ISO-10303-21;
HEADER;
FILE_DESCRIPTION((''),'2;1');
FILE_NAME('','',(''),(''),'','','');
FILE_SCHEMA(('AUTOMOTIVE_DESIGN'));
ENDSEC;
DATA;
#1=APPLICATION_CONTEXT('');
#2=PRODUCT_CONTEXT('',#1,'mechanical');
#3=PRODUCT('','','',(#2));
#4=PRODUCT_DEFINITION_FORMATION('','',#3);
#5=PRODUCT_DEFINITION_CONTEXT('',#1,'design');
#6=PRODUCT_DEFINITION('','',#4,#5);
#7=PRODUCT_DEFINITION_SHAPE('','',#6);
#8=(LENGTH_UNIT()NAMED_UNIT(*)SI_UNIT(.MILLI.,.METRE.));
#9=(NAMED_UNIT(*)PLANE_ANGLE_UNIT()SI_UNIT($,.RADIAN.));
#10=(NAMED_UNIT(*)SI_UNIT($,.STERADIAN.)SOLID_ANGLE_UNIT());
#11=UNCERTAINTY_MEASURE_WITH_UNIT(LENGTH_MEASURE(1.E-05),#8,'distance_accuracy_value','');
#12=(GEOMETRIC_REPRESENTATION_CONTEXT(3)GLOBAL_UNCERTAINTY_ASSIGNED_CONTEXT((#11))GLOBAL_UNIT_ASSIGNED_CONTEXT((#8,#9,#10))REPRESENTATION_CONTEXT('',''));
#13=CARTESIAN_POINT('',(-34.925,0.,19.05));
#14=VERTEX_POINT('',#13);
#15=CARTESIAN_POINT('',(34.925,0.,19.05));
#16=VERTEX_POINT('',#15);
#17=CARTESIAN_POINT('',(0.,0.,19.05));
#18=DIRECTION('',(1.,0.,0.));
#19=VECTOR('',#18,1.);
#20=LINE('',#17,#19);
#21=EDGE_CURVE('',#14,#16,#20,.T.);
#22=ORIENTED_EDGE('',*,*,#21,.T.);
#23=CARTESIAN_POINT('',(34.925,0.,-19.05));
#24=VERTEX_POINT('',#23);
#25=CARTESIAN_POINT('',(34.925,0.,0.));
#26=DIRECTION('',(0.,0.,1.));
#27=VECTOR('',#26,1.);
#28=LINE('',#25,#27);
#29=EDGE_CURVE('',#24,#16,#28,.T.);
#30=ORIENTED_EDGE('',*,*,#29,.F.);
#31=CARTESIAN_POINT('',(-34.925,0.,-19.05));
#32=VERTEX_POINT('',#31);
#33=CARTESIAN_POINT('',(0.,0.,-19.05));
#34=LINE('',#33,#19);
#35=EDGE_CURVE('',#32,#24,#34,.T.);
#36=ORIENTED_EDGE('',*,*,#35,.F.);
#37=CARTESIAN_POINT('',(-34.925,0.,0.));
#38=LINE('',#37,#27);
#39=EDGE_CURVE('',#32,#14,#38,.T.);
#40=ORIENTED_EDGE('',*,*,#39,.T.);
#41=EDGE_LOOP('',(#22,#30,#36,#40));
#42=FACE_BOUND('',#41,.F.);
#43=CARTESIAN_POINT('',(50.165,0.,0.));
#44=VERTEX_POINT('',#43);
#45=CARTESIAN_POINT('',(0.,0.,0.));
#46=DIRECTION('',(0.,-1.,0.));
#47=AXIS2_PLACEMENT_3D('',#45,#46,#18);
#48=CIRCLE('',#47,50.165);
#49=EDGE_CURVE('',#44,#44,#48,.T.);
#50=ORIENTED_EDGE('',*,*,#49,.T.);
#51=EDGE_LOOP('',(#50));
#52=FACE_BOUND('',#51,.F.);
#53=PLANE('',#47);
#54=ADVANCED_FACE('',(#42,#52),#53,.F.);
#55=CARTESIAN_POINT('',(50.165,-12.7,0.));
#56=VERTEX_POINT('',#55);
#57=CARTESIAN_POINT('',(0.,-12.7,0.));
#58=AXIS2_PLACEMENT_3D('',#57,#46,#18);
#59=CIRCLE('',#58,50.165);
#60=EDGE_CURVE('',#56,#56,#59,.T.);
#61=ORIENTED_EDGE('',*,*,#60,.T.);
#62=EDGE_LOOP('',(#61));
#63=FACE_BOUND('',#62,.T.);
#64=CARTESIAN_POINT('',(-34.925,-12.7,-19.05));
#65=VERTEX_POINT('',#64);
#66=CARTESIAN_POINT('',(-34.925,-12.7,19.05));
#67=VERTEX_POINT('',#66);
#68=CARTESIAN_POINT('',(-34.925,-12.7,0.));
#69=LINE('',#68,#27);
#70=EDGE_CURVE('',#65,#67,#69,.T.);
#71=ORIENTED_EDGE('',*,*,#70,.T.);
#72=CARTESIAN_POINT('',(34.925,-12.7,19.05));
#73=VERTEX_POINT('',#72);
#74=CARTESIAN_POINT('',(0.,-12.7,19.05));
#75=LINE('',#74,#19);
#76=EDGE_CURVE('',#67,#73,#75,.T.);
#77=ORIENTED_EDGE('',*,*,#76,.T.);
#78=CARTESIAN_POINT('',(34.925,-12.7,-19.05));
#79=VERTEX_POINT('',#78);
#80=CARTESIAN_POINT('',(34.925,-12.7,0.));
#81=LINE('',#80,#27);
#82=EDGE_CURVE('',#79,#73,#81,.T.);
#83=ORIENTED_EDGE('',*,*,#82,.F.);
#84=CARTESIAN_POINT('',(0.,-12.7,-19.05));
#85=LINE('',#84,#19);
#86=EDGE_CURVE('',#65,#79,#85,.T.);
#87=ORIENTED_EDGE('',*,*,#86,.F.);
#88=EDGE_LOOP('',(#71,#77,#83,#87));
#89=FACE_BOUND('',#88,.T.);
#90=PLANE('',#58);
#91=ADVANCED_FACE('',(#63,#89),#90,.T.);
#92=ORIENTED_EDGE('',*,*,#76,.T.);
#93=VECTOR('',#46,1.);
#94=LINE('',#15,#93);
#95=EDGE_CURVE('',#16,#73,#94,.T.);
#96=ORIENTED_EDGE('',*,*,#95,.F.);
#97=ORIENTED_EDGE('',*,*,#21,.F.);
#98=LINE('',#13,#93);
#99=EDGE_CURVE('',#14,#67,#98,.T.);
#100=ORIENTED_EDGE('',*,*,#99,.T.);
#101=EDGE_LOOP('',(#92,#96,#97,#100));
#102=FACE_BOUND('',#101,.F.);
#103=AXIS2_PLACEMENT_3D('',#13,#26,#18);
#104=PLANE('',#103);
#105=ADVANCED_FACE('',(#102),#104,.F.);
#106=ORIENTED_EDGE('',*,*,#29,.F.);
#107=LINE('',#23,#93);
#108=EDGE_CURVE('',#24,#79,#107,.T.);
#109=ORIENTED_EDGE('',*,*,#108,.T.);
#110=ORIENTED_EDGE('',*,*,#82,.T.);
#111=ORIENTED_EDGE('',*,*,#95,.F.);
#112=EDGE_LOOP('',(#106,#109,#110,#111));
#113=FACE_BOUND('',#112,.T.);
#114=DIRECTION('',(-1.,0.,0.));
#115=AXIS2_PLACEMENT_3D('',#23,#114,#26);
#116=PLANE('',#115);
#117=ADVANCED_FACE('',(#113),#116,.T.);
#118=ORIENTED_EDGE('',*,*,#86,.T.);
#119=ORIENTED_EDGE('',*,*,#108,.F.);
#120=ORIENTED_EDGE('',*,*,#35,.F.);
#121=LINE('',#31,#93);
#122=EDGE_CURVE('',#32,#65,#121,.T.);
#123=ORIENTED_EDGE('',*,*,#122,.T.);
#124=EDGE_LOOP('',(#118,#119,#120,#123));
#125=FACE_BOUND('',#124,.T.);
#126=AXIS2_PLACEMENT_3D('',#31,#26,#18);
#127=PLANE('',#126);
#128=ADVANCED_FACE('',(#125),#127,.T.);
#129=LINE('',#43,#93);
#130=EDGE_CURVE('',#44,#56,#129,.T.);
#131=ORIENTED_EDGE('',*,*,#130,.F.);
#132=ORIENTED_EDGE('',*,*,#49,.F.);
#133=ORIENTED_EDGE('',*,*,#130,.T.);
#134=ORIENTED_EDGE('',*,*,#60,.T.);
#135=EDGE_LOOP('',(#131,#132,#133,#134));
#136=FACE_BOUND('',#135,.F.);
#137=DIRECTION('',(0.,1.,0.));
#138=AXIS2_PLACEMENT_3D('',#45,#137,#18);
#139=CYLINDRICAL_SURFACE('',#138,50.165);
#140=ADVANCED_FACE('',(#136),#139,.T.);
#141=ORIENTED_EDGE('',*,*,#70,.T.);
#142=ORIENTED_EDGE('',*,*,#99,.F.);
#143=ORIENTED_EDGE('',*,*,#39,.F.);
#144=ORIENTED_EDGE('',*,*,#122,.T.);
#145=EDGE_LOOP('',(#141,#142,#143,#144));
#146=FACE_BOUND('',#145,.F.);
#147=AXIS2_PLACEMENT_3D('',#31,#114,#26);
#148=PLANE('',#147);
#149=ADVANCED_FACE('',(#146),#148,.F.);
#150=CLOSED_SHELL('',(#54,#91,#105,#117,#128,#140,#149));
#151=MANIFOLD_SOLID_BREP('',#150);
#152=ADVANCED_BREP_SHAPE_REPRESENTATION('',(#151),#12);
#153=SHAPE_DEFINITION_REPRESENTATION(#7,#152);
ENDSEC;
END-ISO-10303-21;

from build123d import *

# Parameters (mm, degrees)
F0_R     = 50.165
F0_W     = 69.85
F0_H     = 38.1
F1_DEPTH = 12.7


with BuildPart() as f1:
    # F0 (on Front) → F1 (new body)
    with BuildSketch(Plane.XZ):
        Circle(F0_R)
        Rectangle(F0_W, F0_H, mode=Mode.SUBTRACT)
    extrude(amount=F1_DEPTH)


solid = f1.part
